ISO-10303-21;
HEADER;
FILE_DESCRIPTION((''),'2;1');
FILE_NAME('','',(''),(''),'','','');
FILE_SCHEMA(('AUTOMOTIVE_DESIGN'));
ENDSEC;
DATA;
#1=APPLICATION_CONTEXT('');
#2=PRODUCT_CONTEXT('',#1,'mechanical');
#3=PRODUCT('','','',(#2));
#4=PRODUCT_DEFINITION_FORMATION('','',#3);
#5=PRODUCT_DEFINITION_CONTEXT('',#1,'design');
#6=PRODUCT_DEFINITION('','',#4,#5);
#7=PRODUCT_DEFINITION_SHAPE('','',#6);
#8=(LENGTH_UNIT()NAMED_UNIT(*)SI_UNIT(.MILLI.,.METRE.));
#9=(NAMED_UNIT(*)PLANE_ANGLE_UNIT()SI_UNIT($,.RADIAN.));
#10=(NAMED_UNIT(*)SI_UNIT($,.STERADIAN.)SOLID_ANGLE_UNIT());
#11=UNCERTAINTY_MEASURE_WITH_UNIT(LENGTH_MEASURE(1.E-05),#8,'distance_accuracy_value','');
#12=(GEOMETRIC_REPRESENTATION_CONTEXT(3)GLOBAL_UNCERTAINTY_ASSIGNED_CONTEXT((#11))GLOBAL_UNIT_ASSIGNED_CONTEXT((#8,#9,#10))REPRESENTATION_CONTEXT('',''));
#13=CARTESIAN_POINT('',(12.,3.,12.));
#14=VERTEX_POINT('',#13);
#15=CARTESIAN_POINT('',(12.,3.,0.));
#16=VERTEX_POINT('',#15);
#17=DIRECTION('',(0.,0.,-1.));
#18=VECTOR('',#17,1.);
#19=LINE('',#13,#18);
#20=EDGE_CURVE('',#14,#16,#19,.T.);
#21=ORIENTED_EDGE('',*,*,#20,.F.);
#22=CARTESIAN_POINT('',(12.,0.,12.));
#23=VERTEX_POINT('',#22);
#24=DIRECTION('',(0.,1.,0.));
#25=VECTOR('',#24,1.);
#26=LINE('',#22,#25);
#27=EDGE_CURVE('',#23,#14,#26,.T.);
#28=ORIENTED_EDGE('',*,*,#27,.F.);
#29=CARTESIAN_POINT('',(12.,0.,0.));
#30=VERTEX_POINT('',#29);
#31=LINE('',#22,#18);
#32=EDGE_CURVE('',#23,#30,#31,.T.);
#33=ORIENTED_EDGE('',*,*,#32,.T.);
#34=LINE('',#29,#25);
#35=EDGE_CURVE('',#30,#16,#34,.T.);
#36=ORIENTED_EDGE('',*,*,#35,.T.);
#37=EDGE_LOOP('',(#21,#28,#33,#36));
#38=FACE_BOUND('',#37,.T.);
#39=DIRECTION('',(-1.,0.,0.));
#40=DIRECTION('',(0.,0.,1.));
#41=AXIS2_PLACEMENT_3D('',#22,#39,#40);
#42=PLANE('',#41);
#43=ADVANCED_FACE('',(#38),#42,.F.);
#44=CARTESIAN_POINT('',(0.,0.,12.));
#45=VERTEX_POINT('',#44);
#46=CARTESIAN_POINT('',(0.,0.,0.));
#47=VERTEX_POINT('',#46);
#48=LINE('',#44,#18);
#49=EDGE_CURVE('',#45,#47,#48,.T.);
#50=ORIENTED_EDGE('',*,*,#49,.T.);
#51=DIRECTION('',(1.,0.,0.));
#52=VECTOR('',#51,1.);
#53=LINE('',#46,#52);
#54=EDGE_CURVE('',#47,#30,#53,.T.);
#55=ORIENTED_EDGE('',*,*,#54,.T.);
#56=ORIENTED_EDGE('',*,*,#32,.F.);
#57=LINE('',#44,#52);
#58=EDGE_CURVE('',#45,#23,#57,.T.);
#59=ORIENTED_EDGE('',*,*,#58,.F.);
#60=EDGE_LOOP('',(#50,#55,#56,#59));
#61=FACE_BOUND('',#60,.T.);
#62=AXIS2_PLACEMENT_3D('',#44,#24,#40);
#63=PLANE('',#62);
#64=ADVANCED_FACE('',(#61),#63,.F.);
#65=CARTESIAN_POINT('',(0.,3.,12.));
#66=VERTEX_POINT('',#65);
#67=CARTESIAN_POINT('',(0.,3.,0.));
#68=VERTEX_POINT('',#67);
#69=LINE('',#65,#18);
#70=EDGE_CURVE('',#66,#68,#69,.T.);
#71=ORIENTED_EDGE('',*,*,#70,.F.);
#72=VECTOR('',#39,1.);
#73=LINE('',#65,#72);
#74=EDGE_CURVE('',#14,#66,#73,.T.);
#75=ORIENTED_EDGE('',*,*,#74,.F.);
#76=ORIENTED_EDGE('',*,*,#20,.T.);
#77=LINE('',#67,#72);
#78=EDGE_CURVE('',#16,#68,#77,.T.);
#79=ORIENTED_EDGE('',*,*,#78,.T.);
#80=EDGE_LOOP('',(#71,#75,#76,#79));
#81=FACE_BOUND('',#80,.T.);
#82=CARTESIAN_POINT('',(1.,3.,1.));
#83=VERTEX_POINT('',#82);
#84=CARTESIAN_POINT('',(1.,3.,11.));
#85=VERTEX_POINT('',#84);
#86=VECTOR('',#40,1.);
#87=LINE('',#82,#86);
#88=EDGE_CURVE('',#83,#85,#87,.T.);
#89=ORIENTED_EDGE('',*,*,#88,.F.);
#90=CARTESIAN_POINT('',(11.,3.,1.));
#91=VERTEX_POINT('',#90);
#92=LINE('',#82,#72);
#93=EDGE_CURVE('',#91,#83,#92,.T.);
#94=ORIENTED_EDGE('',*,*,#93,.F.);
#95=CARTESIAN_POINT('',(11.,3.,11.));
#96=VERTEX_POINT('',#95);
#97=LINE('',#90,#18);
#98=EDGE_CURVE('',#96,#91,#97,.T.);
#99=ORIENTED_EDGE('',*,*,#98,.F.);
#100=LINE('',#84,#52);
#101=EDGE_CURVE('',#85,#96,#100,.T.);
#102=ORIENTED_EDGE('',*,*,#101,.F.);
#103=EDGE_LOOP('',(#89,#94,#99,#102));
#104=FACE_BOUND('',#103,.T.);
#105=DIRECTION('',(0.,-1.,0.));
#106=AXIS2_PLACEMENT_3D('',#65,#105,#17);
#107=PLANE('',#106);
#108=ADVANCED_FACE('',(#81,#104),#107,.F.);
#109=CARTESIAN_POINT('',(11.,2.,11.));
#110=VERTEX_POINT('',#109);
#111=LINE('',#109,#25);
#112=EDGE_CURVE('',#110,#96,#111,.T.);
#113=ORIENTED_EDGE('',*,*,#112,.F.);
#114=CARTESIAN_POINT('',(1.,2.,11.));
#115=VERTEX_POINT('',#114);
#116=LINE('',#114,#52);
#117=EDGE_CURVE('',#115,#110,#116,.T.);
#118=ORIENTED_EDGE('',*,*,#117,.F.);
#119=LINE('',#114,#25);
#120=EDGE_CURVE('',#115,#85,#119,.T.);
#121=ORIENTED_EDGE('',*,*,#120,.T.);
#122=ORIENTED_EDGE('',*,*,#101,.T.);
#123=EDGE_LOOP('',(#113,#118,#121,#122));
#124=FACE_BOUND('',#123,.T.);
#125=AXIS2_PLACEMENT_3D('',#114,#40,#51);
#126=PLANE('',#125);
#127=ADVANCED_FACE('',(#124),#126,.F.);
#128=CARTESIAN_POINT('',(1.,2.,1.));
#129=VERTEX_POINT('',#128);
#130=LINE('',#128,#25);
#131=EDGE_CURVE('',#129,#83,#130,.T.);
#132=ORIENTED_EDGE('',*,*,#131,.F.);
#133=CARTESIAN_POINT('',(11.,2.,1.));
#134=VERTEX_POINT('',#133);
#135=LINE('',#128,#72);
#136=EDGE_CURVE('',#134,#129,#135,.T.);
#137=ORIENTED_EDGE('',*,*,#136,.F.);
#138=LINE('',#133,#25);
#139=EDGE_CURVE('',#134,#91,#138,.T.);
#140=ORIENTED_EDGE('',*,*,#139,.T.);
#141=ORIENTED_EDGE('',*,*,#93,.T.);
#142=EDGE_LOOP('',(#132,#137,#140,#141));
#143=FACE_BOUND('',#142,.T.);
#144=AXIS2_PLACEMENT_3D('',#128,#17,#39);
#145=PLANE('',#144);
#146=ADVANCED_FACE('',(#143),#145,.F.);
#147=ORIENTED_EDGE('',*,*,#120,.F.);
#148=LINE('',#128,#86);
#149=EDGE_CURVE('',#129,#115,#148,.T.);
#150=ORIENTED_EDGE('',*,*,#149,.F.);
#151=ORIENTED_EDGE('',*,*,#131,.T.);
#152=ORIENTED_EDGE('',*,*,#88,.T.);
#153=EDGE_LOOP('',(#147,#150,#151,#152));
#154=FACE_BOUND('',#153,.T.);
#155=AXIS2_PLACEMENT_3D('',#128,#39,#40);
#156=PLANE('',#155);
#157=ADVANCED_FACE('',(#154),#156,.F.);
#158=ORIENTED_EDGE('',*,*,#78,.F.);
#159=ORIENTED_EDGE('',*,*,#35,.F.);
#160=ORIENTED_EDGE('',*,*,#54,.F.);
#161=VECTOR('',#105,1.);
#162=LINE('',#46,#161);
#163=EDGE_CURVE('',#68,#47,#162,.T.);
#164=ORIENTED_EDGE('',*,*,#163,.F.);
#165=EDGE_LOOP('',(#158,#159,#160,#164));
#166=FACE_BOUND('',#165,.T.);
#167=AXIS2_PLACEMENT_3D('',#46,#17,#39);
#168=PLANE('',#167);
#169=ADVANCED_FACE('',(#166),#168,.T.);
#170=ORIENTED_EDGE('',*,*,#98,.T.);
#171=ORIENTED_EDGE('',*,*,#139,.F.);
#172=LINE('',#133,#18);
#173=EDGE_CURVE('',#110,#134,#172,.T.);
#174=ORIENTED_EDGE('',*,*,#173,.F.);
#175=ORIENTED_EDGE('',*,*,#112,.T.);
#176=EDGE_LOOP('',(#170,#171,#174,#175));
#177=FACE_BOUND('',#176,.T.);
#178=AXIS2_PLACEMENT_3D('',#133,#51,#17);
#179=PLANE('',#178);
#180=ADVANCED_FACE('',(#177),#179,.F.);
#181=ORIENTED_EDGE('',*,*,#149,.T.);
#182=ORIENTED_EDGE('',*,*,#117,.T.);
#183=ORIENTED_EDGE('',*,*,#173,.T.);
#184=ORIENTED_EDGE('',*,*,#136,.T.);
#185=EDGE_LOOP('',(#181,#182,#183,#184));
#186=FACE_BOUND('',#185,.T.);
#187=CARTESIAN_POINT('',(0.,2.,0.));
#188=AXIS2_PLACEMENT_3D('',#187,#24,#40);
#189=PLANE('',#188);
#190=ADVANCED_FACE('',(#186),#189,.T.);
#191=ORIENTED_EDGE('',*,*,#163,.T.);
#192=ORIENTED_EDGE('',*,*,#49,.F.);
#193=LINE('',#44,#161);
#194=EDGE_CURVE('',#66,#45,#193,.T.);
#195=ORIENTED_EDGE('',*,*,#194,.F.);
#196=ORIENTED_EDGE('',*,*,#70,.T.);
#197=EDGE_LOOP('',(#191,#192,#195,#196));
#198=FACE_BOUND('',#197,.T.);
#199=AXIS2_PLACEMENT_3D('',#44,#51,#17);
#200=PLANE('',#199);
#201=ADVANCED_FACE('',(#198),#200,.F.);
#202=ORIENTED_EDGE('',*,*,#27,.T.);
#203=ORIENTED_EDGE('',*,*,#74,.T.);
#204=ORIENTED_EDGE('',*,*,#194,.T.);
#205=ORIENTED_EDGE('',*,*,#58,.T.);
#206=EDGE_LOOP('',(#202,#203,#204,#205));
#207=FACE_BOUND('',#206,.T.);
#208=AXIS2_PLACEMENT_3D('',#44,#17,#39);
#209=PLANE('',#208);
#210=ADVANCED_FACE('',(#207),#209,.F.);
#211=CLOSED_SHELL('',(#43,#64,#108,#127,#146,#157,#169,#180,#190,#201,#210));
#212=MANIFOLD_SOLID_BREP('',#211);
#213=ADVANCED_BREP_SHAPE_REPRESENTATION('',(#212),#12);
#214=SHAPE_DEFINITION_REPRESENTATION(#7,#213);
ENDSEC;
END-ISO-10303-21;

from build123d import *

# Parameters (mm, degrees)
SKETCH_2_W          = 12
SKETCH_2_H          = 3
EXTRUDE_1_DEPTH     = 12
SKETCH_3_W          = 10
SKETCH_3_H          = 10
CUT_EXTRUDE_1_DEPTH = 1


with BuildPart() as part:
    # 草图2 → 凸台-拉伸1 (new body)
    with BuildSketch(Plane.XY):
        with Locations((6, 1.5)):
            Rectangle(SKETCH_2_W, SKETCH_2_H)
    extrude(amount=EXTRUDE_1_DEPTH)

    # 草图3 → 切除-拉伸1 (cut)
    with BuildSketch(Plane(origin=(0, 3, 0), x_dir=(1, 0, 0), z_dir=(0, 1, 0))):
        with Locations((6, -6)):
            Rectangle(SKETCH_3_W, SKETCH_3_H)
    extrude(amount=-CUT_EXTRUDE_1_DEPTH, mode=Mode.SUBTRACT)


solid = part.part
